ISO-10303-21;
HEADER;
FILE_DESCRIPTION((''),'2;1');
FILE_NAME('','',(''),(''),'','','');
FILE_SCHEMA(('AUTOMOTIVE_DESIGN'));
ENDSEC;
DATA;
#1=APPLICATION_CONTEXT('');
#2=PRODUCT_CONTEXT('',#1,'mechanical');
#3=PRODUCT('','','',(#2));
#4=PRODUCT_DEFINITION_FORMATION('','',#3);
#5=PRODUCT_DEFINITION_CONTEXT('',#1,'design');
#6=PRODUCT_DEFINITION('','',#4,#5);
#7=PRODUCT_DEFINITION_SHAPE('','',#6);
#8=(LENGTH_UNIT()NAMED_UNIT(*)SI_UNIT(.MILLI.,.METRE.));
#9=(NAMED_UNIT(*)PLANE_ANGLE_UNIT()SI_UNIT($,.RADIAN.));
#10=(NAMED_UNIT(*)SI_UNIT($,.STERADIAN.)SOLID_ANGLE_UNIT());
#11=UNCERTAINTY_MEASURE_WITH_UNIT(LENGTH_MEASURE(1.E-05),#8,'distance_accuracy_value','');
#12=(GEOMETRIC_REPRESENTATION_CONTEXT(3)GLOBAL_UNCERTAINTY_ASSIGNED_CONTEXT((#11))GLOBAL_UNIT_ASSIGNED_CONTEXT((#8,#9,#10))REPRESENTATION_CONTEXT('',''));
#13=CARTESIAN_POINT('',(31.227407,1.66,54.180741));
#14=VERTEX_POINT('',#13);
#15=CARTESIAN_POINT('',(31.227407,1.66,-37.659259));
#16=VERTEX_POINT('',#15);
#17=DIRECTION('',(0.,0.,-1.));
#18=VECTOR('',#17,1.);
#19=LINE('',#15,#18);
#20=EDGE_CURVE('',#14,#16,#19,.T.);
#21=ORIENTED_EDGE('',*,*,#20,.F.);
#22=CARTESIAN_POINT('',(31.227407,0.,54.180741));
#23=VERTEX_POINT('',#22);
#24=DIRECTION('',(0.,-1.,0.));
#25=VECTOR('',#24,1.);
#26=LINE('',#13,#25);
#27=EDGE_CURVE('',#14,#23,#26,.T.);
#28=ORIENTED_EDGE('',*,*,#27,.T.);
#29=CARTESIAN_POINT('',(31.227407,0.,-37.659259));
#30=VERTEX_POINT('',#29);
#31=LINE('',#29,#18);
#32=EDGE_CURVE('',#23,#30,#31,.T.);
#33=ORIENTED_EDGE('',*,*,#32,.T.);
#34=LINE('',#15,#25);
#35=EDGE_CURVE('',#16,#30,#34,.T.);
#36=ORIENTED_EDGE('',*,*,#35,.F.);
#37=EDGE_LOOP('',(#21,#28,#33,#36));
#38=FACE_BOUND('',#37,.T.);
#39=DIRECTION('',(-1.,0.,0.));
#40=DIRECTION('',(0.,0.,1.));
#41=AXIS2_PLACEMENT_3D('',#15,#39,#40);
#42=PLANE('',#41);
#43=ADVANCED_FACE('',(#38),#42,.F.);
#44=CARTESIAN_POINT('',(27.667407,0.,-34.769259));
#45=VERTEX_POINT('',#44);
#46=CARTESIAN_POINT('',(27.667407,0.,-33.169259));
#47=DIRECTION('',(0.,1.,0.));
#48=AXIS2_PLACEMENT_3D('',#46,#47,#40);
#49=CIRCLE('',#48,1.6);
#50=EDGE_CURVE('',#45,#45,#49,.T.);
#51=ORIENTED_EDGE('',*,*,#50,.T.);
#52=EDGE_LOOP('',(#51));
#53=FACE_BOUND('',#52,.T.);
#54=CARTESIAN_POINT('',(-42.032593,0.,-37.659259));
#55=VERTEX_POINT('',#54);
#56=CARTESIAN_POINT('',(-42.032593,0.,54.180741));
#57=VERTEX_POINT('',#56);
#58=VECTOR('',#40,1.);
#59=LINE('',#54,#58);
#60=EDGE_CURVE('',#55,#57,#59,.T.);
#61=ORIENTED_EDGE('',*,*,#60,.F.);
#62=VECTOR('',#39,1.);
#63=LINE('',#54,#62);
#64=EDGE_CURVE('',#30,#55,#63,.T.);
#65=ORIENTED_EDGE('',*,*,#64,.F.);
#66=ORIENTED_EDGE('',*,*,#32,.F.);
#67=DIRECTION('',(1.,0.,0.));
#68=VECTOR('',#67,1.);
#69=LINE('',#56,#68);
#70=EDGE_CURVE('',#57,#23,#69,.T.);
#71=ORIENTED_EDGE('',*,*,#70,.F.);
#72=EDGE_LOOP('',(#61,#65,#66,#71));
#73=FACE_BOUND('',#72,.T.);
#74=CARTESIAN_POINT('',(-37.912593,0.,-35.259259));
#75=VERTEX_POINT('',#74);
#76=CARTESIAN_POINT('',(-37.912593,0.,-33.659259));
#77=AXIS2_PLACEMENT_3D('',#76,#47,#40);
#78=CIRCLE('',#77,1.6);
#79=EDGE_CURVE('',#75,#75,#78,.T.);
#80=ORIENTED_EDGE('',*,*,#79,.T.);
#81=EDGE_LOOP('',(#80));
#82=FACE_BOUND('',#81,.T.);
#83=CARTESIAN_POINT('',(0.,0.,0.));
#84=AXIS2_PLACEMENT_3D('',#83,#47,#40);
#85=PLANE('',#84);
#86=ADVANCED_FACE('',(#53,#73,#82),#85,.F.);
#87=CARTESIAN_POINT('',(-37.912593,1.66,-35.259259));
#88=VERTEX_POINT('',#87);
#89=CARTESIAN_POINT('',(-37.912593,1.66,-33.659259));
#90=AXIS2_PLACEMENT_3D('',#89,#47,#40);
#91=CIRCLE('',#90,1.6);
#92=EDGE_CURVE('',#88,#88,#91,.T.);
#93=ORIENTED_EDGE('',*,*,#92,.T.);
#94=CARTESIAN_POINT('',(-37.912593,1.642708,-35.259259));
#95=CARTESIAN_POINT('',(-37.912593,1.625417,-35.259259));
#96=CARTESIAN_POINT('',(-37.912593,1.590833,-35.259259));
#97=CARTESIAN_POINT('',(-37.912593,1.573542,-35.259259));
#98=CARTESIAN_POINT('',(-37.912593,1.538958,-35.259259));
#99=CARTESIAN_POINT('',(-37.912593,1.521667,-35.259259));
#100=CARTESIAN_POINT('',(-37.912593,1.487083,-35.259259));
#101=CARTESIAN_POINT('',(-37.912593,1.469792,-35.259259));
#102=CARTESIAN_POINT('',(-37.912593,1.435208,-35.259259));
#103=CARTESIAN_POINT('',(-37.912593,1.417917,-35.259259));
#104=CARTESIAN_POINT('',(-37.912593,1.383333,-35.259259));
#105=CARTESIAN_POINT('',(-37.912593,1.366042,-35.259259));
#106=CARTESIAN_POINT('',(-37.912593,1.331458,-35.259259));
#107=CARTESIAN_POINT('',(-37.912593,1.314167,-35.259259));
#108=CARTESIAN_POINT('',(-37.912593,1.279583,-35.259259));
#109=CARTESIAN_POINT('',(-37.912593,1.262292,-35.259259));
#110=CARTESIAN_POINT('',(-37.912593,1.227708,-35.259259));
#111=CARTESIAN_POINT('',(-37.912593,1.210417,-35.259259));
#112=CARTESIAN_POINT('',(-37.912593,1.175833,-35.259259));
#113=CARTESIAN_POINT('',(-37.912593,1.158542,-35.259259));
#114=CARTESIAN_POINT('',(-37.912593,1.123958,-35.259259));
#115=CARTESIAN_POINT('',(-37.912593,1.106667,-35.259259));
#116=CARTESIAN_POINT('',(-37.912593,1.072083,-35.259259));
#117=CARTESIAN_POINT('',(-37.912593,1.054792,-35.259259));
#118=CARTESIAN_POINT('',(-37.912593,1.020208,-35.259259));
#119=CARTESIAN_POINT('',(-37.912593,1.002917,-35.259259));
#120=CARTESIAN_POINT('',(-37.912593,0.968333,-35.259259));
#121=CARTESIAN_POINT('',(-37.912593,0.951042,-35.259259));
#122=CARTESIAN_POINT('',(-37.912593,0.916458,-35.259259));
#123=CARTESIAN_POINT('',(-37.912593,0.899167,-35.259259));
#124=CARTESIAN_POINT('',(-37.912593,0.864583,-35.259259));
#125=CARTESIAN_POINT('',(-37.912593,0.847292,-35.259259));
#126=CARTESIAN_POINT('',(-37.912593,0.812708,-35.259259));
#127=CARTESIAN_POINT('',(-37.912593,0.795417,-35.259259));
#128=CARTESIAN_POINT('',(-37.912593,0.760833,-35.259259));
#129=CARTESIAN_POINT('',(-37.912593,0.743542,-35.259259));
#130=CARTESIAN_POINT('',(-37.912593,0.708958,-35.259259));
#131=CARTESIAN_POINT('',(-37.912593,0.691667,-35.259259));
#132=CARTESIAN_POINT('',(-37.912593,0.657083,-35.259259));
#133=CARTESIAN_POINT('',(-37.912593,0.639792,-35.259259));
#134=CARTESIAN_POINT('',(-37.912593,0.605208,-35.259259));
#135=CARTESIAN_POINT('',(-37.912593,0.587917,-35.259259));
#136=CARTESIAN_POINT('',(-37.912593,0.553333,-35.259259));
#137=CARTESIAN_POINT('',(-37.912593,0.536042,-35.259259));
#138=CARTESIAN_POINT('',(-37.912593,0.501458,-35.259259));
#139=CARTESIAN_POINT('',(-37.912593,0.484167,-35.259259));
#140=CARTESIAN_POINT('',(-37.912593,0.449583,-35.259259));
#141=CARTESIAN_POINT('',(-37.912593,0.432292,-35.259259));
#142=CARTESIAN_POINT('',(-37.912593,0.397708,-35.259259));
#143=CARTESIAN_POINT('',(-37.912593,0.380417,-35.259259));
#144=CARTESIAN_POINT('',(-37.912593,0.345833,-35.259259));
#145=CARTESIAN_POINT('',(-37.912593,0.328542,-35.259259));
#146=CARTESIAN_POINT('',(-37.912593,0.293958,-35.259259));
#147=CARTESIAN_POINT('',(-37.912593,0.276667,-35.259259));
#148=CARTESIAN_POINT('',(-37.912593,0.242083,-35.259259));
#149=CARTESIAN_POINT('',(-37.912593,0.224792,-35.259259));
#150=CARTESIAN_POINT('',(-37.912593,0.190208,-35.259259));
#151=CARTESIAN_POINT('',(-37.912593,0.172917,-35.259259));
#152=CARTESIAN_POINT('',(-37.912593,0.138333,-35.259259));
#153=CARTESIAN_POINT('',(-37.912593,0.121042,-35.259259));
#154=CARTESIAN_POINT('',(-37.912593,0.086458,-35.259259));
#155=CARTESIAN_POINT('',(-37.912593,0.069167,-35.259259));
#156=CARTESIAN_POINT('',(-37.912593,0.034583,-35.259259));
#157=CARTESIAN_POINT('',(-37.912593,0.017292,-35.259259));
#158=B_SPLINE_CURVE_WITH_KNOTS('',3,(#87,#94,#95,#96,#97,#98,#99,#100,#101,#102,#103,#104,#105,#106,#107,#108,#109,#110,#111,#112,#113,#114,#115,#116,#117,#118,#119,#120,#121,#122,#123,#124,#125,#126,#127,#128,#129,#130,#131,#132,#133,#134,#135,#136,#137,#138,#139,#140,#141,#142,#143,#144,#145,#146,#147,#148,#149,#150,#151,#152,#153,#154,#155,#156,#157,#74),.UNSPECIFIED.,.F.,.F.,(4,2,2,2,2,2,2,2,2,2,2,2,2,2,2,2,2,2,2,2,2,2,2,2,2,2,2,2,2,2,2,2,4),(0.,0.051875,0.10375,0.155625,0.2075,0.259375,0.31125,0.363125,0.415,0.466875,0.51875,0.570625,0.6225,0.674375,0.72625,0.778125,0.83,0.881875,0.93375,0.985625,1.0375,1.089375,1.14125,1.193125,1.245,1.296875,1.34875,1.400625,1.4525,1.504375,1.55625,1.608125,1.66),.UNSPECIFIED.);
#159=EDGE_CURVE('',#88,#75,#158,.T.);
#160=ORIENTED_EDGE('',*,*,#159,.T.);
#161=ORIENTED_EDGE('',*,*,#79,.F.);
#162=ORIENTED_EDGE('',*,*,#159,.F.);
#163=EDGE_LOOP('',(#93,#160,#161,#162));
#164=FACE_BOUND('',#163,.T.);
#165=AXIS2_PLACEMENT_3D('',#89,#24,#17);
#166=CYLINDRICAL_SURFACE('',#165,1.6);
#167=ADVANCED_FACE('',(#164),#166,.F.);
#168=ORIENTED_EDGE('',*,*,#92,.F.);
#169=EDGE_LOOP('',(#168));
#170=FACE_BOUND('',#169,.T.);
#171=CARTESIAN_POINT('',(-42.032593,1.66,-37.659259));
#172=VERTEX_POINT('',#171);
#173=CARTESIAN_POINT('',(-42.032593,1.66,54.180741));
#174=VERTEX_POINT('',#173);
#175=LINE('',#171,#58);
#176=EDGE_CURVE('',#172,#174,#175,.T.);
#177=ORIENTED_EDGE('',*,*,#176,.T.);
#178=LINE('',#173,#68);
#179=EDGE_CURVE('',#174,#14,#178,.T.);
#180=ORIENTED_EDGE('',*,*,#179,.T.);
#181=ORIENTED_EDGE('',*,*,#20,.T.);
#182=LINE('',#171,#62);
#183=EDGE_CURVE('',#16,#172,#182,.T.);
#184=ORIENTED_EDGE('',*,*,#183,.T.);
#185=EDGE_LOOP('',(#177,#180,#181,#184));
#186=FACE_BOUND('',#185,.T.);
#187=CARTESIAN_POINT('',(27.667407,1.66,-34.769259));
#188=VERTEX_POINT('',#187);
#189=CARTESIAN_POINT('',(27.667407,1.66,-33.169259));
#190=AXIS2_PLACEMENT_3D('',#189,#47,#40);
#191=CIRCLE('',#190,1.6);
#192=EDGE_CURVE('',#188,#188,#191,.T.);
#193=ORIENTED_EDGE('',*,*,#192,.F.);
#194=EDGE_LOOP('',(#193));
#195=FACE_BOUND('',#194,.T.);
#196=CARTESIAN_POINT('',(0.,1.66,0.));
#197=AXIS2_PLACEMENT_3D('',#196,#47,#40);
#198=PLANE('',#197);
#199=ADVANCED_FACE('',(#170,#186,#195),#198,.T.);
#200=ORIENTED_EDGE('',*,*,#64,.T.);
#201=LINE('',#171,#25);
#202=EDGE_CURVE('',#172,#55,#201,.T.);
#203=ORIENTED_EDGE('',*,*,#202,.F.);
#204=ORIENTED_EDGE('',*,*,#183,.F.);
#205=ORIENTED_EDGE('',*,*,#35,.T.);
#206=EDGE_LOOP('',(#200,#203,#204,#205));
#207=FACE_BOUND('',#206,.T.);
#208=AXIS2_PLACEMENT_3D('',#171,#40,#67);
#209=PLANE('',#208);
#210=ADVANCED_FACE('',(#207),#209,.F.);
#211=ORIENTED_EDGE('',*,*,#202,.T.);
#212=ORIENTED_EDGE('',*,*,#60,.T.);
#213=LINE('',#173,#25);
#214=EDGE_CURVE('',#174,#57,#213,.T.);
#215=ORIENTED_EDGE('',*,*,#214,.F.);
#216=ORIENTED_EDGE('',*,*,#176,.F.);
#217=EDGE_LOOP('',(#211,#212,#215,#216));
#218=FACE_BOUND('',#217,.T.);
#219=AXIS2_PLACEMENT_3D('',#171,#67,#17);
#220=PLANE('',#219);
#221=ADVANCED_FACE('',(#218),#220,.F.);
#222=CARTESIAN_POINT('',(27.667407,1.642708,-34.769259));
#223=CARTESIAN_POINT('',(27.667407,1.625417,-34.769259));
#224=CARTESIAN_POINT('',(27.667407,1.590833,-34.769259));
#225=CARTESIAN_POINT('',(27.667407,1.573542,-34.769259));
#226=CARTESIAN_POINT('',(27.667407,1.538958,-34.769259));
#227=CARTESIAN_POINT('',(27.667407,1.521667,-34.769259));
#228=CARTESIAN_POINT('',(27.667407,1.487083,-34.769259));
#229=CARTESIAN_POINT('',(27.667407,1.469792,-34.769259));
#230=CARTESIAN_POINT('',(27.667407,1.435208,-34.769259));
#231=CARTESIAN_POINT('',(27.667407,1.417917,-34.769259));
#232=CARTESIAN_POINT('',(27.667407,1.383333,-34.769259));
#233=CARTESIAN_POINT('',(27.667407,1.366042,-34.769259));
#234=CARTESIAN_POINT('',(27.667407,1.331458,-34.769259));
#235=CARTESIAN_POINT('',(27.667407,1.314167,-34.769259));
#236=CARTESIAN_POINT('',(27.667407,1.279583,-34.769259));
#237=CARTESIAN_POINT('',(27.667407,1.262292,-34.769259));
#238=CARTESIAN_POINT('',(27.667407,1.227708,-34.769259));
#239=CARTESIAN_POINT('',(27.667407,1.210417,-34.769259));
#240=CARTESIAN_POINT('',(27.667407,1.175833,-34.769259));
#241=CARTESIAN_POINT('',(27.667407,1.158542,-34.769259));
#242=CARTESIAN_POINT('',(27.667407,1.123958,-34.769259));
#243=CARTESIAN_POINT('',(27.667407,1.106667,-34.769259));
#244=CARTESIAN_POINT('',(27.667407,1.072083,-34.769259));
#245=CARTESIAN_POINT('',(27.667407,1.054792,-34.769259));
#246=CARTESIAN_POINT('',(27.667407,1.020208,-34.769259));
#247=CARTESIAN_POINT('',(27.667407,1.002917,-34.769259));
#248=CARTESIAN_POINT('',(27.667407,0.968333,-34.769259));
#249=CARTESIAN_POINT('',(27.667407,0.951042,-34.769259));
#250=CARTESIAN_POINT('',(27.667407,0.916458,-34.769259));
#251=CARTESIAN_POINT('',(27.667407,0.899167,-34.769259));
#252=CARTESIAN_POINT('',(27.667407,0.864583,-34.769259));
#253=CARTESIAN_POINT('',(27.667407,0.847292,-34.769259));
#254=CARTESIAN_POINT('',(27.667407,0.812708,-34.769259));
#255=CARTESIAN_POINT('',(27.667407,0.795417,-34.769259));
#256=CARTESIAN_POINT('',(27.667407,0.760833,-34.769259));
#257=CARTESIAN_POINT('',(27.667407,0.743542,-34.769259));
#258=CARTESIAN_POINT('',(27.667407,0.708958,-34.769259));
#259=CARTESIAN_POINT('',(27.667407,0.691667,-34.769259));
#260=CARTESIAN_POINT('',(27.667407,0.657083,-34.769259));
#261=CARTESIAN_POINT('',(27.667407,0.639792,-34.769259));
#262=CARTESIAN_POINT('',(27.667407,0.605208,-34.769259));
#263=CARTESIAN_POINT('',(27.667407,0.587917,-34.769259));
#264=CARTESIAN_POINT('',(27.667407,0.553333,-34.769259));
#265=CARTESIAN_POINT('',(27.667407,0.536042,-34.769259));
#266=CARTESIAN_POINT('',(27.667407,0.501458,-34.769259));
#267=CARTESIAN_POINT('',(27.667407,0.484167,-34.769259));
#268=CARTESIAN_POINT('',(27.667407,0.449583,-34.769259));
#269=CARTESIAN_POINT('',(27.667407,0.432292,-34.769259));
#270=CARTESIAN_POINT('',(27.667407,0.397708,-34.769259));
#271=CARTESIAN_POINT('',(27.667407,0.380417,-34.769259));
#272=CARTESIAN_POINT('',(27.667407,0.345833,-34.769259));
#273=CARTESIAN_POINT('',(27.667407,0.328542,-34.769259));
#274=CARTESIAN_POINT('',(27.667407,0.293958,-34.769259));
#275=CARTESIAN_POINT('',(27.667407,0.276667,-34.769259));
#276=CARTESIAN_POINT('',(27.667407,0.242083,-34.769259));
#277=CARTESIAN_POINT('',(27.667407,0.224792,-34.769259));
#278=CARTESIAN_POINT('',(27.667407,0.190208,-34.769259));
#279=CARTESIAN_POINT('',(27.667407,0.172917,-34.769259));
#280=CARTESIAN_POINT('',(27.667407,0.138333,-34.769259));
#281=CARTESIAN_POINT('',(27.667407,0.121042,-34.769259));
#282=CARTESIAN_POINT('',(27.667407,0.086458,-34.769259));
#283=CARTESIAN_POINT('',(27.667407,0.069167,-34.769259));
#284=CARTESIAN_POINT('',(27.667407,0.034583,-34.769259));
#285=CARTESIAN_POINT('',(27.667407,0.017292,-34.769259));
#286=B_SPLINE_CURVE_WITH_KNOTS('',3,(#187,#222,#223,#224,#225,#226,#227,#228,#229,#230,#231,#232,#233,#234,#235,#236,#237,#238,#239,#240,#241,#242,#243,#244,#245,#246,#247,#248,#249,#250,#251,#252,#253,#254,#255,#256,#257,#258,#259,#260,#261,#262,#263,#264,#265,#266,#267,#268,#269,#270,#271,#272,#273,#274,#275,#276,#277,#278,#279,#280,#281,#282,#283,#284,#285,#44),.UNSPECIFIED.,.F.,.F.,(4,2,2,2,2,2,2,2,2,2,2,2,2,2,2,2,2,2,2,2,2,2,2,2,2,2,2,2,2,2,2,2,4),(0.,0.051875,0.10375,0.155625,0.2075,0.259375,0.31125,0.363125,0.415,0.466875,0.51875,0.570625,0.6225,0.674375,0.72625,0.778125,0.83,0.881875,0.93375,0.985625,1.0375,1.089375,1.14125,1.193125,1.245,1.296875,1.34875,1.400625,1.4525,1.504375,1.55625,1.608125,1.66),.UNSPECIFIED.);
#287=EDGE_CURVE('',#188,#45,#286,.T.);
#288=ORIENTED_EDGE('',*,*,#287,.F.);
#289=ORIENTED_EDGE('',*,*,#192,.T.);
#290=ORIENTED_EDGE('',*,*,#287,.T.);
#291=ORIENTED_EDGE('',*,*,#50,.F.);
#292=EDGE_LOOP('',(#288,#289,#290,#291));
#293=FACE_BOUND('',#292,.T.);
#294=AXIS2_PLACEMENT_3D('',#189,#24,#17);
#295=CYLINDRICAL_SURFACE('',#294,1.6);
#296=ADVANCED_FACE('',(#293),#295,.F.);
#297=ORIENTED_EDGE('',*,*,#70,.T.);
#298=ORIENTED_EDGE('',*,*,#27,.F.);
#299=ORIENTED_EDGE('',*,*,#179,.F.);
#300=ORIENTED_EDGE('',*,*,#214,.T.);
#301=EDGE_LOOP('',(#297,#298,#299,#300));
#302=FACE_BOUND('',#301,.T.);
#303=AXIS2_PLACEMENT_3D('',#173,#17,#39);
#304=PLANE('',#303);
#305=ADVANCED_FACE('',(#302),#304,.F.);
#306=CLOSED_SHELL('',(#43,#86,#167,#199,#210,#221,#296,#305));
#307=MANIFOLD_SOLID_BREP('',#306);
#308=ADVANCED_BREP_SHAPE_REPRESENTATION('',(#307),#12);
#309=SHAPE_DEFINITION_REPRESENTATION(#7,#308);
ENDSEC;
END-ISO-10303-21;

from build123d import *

# Parameters (mm, degrees)
SKETCH1_W           = 73.26
SKETCH1_H           = 91.84
SKETCH1_R           = 1.6
BOSS_EXTRUDE1_DEPTH = 1.66


with BuildPart() as part:
    # Sketch1 → Boss-Extrude1 (new body)
    with BuildSketch(Plane(origin=(0, 0, 0), x_dir=(1, 0, 0), z_dir=(0, 1, 0))):
        with Locations((-5.402592593, -8.260740741)):
            Rectangle(SKETCH1_W, SKETCH1_H)
        with Locations(Location((27.667407407, 33.169259259, 0), (0, 0, 90))):
            Circle(SKETCH1_R, mode=Mode.SUBTRACT)
        with Locations(Location((-37.912592593, 33.659259259, 0), (0, 0, 90))):
            Circle(SKETCH1_R, mode=Mode.SUBTRACT)
    extrude(amount=BOSS_EXTRUDE1_DEPTH)


solid = part.part
